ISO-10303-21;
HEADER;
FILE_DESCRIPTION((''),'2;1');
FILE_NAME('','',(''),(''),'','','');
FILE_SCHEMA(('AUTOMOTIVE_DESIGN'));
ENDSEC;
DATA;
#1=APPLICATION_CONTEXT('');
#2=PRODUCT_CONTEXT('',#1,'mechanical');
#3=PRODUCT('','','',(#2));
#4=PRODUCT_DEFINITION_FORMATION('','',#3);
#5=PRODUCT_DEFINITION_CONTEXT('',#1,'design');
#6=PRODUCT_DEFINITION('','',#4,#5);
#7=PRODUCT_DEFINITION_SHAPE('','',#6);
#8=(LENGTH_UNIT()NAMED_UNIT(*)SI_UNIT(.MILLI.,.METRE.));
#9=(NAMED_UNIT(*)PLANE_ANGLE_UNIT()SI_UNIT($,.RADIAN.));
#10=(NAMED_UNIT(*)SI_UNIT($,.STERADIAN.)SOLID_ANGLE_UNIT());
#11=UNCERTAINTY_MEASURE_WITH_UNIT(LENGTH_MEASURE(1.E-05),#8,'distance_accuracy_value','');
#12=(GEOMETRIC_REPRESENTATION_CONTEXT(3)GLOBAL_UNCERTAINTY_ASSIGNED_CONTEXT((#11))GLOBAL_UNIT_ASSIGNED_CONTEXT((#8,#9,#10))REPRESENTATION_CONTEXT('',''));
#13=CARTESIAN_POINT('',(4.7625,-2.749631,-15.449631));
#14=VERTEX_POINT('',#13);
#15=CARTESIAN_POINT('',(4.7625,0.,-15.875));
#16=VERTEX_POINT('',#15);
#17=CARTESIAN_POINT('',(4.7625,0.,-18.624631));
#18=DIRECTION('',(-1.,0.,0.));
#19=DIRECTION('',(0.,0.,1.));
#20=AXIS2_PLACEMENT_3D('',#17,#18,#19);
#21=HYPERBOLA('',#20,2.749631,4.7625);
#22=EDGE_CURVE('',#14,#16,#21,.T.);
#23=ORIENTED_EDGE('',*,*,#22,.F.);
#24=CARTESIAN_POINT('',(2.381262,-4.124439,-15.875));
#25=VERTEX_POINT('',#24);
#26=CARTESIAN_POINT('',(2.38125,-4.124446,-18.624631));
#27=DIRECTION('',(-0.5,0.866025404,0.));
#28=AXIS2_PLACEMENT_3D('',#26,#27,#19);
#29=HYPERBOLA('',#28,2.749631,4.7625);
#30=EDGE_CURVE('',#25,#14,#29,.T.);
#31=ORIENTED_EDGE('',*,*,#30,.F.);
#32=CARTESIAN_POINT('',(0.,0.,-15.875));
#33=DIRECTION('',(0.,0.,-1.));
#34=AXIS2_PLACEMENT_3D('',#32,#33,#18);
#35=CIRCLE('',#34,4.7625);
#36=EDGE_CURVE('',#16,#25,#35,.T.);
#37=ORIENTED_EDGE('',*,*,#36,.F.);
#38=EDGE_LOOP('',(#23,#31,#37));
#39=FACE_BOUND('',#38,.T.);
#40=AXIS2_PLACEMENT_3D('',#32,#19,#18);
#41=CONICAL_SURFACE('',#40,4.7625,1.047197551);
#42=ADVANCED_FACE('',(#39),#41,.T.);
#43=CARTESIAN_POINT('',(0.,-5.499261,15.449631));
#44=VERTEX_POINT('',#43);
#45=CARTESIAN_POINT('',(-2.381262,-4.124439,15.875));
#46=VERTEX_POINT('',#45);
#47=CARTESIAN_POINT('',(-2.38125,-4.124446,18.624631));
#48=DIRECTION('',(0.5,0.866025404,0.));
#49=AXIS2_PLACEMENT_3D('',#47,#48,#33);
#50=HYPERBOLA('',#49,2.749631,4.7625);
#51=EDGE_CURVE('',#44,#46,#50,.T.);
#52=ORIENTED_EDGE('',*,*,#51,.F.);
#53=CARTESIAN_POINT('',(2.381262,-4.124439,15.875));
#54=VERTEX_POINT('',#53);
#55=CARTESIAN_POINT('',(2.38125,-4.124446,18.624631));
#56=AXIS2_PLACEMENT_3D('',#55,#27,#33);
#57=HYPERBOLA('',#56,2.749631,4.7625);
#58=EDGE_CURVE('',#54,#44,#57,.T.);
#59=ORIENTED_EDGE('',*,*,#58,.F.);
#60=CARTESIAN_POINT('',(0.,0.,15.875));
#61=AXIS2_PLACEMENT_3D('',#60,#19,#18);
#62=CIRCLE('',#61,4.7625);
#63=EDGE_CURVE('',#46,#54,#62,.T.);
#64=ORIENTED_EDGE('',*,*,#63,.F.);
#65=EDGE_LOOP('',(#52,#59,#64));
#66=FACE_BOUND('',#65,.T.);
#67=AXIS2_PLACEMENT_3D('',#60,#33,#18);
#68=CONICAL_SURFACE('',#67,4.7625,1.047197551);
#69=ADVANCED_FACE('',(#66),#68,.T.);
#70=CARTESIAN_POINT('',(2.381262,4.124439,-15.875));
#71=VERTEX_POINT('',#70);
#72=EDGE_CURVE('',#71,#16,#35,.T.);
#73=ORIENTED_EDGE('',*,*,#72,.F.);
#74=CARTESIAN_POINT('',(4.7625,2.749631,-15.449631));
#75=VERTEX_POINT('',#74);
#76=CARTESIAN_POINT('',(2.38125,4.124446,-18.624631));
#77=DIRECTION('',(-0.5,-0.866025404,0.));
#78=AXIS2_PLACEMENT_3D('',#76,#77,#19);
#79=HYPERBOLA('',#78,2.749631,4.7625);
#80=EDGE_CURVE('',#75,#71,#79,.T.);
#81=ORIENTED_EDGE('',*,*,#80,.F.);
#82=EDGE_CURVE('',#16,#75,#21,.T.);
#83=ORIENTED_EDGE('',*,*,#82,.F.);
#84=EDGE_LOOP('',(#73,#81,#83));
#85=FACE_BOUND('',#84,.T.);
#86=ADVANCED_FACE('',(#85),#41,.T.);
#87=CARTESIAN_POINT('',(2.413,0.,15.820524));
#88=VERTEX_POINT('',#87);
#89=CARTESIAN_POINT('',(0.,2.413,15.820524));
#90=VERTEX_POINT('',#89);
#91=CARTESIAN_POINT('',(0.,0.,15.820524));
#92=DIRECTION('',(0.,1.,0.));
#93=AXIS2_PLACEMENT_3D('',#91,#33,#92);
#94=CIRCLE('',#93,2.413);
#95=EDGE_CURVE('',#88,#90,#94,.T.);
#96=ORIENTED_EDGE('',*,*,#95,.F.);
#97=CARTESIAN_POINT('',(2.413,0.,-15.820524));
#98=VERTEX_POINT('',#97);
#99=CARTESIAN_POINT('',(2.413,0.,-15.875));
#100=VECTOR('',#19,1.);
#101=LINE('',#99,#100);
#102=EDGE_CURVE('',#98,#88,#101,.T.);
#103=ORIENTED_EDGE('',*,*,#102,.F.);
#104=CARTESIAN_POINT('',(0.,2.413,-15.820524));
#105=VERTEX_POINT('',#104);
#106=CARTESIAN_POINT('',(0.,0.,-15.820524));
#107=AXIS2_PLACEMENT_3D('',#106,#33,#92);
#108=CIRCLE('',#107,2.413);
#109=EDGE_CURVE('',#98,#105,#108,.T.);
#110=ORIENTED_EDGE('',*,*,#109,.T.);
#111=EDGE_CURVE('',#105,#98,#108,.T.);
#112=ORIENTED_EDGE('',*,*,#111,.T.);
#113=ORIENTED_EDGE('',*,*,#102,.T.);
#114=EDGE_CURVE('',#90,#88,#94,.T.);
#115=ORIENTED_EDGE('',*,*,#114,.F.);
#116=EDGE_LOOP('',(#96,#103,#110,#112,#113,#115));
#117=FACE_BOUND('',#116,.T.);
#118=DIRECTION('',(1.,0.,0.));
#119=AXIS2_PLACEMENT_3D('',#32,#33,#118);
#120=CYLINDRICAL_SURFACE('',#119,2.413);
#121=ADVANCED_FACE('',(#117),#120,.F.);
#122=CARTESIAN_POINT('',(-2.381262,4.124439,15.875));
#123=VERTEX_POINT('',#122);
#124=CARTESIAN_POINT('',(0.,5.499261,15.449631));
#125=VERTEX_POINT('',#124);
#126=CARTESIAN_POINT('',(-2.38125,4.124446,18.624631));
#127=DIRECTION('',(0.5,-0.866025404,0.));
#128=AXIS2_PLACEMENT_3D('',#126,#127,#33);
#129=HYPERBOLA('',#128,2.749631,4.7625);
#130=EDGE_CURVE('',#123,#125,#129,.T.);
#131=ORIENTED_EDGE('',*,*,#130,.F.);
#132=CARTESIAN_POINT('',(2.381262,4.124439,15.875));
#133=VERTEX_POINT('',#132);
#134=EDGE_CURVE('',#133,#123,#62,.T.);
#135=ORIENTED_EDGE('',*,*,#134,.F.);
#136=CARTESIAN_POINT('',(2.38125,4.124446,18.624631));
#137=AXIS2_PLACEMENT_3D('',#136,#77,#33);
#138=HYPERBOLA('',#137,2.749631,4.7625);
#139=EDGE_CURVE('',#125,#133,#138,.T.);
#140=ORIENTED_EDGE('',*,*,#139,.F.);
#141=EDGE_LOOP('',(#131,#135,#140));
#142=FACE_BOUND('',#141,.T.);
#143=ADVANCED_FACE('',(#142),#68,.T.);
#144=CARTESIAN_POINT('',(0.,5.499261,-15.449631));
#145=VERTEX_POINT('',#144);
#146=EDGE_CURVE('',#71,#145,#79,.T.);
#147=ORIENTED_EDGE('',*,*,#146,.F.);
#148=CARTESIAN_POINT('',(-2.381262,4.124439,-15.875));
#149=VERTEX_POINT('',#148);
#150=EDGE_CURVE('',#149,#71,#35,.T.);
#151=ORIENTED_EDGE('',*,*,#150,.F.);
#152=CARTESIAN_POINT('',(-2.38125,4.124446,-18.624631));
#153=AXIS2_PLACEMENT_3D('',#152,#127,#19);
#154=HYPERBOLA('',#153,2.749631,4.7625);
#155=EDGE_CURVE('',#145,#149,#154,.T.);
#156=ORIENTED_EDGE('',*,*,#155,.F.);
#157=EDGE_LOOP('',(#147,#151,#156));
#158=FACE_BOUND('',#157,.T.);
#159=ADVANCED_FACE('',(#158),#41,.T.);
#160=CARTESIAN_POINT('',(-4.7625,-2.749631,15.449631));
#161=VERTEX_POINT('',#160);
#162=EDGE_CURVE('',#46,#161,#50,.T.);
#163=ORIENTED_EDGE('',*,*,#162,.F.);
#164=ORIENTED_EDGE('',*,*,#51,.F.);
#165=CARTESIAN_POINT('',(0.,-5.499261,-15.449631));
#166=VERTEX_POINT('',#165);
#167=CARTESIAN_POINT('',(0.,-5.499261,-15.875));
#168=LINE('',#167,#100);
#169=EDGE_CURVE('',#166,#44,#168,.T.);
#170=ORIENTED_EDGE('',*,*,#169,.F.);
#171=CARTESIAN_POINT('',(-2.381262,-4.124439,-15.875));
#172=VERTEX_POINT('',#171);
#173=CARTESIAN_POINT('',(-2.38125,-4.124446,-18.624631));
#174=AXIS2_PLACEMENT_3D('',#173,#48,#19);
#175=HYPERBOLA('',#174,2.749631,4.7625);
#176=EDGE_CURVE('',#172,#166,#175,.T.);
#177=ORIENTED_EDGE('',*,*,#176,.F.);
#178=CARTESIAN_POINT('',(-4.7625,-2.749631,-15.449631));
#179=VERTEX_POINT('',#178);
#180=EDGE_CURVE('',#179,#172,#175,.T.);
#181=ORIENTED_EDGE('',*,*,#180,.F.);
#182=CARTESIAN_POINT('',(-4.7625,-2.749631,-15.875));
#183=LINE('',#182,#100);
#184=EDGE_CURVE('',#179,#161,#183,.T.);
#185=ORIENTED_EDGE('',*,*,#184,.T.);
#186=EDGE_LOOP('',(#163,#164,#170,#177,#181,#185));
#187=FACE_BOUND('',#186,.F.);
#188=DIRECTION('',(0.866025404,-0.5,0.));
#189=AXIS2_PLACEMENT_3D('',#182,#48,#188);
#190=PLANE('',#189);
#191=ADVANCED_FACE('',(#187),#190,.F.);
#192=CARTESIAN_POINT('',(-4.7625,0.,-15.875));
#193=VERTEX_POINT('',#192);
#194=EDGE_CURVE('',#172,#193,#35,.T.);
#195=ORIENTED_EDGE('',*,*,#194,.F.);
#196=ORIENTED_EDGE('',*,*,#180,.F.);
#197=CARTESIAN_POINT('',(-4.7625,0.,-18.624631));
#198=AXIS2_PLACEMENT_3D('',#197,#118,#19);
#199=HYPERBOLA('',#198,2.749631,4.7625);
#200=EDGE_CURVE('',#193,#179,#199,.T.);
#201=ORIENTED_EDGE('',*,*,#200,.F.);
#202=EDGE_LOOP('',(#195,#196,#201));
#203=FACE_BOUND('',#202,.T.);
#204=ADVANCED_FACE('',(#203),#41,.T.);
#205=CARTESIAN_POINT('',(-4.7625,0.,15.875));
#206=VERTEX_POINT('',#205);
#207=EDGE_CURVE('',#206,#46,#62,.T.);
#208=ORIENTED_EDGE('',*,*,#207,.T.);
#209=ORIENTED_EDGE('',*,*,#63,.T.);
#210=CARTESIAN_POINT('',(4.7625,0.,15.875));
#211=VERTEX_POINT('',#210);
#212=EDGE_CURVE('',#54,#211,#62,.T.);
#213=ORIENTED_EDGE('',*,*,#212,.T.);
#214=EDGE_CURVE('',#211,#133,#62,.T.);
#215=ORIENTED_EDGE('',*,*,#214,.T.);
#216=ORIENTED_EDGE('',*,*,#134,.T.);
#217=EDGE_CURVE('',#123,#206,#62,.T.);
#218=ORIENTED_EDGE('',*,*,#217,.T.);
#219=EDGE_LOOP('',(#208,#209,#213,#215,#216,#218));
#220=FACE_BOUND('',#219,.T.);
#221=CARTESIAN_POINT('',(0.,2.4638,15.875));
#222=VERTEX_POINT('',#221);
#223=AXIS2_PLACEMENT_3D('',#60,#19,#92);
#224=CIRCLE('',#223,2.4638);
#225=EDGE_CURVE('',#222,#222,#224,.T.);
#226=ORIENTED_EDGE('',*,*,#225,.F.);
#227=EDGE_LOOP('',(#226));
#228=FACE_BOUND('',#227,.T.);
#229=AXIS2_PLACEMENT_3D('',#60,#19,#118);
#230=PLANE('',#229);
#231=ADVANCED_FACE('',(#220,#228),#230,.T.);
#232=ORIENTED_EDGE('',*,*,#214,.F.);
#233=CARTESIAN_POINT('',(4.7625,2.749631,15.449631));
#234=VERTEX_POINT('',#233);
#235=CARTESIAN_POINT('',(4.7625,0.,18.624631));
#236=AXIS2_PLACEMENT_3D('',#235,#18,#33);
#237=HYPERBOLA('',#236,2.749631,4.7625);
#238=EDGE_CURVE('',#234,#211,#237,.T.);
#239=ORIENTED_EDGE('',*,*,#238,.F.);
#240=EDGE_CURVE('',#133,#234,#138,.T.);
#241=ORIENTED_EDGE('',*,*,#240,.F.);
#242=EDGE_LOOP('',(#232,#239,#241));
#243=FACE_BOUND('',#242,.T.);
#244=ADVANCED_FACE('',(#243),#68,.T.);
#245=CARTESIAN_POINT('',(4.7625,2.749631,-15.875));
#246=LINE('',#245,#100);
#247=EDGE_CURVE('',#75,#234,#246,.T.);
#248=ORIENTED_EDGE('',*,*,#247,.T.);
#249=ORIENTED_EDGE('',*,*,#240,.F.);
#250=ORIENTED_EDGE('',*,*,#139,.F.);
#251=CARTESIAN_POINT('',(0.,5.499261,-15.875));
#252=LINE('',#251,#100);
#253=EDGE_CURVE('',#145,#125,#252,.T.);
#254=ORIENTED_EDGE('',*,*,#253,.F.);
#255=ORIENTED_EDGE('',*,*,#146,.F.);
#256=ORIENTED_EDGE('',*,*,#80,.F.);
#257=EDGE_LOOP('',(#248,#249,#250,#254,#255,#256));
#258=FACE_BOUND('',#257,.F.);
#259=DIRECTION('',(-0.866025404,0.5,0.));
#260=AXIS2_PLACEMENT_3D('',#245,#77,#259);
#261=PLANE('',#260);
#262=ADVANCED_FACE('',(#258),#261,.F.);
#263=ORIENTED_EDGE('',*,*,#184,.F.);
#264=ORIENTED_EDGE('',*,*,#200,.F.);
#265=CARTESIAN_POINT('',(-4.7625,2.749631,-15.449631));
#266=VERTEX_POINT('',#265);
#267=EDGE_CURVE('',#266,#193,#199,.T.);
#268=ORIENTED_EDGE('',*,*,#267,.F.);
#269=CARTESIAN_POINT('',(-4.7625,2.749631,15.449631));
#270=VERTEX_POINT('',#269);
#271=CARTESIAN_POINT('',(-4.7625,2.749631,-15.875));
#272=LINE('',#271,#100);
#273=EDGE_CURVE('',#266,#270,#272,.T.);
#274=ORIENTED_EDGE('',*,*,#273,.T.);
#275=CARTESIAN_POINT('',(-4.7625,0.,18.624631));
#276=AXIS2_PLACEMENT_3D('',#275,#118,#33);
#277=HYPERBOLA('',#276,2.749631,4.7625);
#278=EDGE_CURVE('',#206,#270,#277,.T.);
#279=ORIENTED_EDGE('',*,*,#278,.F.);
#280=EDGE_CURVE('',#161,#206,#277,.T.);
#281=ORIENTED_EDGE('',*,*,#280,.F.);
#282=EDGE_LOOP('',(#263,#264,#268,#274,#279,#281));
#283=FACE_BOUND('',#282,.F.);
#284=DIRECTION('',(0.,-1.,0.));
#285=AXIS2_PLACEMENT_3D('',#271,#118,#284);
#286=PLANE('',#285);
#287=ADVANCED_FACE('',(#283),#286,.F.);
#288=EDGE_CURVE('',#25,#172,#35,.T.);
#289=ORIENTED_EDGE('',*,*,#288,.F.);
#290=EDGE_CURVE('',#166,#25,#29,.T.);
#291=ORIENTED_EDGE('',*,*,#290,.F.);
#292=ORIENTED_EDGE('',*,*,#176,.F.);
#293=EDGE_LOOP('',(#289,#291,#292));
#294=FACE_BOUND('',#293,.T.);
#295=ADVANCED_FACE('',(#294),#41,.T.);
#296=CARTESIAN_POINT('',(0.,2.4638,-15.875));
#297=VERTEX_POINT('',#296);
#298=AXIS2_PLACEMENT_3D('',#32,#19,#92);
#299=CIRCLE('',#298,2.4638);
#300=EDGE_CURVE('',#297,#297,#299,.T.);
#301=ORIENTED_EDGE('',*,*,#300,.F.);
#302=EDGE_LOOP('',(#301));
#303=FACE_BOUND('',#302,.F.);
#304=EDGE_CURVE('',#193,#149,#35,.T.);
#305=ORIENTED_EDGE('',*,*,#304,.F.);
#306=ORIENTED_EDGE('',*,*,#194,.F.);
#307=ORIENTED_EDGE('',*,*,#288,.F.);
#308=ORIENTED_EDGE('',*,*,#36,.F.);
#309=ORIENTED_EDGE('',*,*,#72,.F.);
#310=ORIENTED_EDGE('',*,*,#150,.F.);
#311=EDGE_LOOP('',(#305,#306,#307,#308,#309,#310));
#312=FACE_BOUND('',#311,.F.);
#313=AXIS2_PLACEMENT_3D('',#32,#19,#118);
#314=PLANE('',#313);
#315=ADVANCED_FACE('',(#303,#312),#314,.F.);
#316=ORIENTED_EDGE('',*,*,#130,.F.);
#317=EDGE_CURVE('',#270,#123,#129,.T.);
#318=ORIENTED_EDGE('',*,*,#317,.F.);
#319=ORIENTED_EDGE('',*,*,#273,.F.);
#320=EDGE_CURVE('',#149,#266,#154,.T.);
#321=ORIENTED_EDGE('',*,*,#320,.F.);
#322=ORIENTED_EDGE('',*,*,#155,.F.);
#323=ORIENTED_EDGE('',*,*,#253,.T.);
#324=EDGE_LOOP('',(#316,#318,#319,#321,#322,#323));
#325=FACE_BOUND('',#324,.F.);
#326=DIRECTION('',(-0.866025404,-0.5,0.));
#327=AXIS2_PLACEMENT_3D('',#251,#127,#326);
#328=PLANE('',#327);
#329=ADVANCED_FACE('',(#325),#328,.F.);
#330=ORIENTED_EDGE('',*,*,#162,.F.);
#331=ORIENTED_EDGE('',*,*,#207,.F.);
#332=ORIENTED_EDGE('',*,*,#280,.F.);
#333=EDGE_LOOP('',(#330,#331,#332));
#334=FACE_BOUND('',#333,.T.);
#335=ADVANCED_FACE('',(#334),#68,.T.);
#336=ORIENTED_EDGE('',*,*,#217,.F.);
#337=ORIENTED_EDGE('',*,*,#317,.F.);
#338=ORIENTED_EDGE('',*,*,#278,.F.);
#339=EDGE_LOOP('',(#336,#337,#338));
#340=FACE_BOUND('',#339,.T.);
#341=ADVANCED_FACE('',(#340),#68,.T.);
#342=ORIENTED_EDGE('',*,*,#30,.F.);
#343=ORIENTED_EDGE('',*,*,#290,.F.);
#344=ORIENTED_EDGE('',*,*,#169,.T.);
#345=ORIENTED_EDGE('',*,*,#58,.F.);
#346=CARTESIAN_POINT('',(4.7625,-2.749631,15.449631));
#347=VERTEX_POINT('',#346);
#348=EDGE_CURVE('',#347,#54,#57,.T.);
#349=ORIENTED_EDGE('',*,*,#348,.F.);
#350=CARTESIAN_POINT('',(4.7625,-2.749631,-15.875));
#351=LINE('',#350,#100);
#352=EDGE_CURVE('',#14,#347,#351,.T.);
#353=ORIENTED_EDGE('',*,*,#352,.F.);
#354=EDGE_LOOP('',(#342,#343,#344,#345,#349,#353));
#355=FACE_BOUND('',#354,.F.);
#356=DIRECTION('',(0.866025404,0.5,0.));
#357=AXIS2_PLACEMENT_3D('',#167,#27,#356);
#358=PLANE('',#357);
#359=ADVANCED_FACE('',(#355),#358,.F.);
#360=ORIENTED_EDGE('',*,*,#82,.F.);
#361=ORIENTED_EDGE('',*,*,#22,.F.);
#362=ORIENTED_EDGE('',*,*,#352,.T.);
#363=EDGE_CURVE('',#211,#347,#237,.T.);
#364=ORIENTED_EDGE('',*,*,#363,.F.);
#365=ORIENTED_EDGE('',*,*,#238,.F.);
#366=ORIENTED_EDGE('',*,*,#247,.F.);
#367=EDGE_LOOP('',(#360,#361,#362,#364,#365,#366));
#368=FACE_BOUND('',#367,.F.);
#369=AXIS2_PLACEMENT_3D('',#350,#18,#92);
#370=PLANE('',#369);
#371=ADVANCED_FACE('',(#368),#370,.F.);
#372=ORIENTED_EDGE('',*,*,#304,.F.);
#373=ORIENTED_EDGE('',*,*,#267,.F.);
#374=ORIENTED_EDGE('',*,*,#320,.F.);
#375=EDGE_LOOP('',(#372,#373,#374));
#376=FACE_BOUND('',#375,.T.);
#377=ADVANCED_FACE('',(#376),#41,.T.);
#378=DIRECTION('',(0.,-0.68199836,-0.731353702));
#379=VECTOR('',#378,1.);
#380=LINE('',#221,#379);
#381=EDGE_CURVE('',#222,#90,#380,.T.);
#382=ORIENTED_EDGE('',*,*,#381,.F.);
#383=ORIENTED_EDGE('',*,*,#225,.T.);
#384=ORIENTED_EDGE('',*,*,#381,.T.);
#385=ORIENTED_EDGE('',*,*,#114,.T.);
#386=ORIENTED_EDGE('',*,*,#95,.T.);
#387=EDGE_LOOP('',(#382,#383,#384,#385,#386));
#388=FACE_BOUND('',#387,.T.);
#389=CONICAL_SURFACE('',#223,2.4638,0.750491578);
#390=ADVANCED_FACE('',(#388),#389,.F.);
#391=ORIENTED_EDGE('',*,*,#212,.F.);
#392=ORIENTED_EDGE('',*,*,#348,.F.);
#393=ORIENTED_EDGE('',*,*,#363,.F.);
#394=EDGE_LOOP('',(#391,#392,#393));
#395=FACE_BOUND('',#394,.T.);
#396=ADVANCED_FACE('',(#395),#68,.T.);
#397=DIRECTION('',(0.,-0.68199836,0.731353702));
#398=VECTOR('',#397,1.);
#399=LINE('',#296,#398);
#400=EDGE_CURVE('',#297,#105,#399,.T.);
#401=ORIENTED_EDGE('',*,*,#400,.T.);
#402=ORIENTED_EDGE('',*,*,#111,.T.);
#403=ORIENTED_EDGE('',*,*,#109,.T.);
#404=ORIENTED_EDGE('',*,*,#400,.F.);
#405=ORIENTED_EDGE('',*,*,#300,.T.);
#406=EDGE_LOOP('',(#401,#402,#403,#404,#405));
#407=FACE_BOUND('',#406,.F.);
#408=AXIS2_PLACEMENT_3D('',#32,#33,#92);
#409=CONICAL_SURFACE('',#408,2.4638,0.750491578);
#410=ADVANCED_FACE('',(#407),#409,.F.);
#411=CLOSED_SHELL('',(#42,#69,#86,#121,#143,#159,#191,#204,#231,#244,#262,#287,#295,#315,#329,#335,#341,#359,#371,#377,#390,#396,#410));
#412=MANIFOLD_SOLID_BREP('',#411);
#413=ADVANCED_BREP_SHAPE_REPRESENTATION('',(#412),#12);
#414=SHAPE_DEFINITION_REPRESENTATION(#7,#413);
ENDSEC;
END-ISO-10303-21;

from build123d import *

# Parameters (mm, degrees)
EXTRUDE1_DEPTH          = 15.875
EXTRUDE1_DEPTH_BACK     = 15.875
SKETCH1_R               = 2.413
SKETCH8_OUTSIDE_W       = 134.808
SKETCH8_OUTSIDE_H       = 136.282
SKETCH8_OUTSIDE_R       = 4.7625
EXTRUDE4_DEPTH          = 33.572776689
EXTRUDE4_DRAFT          = -60
MIRROR1_COPY_1_SKETCH_W = 134.808
MIRROR1_COPY_1_SKETCH_H = 136.282
MIRROR1_COPY_1_SKETCH_R = 4.7625
MIRROR1_COPY_1_DEPTH    = 33.572776689
MIRROR1_COPY_1_DRAFT    = -60


with BuildPart() as part:
    # Sketch1 → Extrude1 (new, two sides: drawn at the far end of the back side and taken through both)
    with BuildSketch(Plane.XY.offset(-EXTRUDE1_DEPTH_BACK)):
        Polygon((0, 5.499261314), (-4.7625, 2.749630657), (-4.7625, -2.749630657), (0, -5.499261314), (4.7625, -2.749630657), (4.7625, 2.749630657), align=None)
        Circle(SKETCH1_R, mode=Mode.SUBTRACT)
    extrude(amount=EXTRUDE1_DEPTH + EXTRUDE1_DEPTH_BACK)

    # Extrude3 cone 1 section (through the dimple's axis) → Extrude3 (revolve, cut)
    with BuildSketch(Plane(origin=(0, 0, -15.875), x_dir=(0, 1, 0), z_dir=(1, 0, 0))):
        Polygon((0, 0), (2.4638, 0), (0, 2.642102028), align=None)
    extrude3 = revolve(axis=Axis((0, 0, -15.875), (0, 0, 1)), mode=Mode.SUBTRACT)


with BuildPart() as extrude4_tool:
    # Sketch8 outside → Extrude4 (with draft: the straight prism first)
    with BuildSketch(Plane(origin=(0, 0, -15.875), x_dir=(-1, 0, 0), z_dir=(0, 0, -1))):
        Rectangle(SKETCH8_OUTSIDE_W, SKETCH8_OUTSIDE_H)
        Circle(SKETCH8_OUTSIDE_R, mode=Mode.SUBTRACT)
    extrude(amount=-EXTRUDE4_DEPTH)
    # Extrude4: the draft: its side faces are tilted about the plane it starts from
    extrude4_sides = [extrude4_tool.faces().sort_by_distance(p)[0] for p in [
        (0, -68.141, 0.911388345),
        (-67.404, 0, 0.911388345),
        (0, 68.141, 0.911388345),
        (67.404, 0, 0.911388345),
        (4.7625, 0, 0.911388345),
    ]]
    draft(extrude4_sides, Plane(origin=(0, 0, -15.875), x_dir=(-1, 0, 0), z_dir=(0, 0, -1)), EXTRUDE4_DRAFT)


with BuildPart() as part_1:
    add(part.part)

    # Extrude4: cut by extrude4_tool
    add(extrude4_tool.part, mode=Mode.SUBTRACT)

    # Mirror1: Extrude3 across plane
    add(extrude3.mirror(Plane.XY), mode=Mode.SUBTRACT)


with BuildPart() as mirror1_copy_1_tool:
    # Mirror1 copy 1 sketch → Mirror1 copy 1 (with draft: the straight prism first)
    with BuildSketch(Plane(origin=(0, 0, 15.875), x_dir=(-1, 0, 0), z_dir=(0, 0, 1))):
        Rectangle(MIRROR1_COPY_1_SKETCH_W, MIRROR1_COPY_1_SKETCH_H)
        Circle(MIRROR1_COPY_1_SKETCH_R, mode=Mode.SUBTRACT)
    extrude(amount=-MIRROR1_COPY_1_DEPTH)
    # Mirror1 copy 1: the draft: its side faces are tilted about the plane it starts from
    mirror1_copy_1_sides = [mirror1_copy_1_tool.faces().sort_by_distance(p)[0] for p in [
        (0, -68.141, -0.911388345),
        (-67.404, 0, -0.911388345),
        (0, 68.141, -0.911388345),
        (67.404, 0, -0.911388345),
        (4.7625, 0, -0.911388345),
    ]]
    draft(mirror1_copy_1_sides, Plane(origin=(0, 0, 15.875), x_dir=(-1, 0, 0), z_dir=(0, 0, 1)), MIRROR1_COPY_1_DRAFT)


with BuildPart() as part_2:
    add(part_1.part)

    # Mirror1 copy 1: cut by mirror1_copy_1_tool
    add(mirror1_copy_1_tool.part, mode=Mode.SUBTRACT)


solid = part_2.part
